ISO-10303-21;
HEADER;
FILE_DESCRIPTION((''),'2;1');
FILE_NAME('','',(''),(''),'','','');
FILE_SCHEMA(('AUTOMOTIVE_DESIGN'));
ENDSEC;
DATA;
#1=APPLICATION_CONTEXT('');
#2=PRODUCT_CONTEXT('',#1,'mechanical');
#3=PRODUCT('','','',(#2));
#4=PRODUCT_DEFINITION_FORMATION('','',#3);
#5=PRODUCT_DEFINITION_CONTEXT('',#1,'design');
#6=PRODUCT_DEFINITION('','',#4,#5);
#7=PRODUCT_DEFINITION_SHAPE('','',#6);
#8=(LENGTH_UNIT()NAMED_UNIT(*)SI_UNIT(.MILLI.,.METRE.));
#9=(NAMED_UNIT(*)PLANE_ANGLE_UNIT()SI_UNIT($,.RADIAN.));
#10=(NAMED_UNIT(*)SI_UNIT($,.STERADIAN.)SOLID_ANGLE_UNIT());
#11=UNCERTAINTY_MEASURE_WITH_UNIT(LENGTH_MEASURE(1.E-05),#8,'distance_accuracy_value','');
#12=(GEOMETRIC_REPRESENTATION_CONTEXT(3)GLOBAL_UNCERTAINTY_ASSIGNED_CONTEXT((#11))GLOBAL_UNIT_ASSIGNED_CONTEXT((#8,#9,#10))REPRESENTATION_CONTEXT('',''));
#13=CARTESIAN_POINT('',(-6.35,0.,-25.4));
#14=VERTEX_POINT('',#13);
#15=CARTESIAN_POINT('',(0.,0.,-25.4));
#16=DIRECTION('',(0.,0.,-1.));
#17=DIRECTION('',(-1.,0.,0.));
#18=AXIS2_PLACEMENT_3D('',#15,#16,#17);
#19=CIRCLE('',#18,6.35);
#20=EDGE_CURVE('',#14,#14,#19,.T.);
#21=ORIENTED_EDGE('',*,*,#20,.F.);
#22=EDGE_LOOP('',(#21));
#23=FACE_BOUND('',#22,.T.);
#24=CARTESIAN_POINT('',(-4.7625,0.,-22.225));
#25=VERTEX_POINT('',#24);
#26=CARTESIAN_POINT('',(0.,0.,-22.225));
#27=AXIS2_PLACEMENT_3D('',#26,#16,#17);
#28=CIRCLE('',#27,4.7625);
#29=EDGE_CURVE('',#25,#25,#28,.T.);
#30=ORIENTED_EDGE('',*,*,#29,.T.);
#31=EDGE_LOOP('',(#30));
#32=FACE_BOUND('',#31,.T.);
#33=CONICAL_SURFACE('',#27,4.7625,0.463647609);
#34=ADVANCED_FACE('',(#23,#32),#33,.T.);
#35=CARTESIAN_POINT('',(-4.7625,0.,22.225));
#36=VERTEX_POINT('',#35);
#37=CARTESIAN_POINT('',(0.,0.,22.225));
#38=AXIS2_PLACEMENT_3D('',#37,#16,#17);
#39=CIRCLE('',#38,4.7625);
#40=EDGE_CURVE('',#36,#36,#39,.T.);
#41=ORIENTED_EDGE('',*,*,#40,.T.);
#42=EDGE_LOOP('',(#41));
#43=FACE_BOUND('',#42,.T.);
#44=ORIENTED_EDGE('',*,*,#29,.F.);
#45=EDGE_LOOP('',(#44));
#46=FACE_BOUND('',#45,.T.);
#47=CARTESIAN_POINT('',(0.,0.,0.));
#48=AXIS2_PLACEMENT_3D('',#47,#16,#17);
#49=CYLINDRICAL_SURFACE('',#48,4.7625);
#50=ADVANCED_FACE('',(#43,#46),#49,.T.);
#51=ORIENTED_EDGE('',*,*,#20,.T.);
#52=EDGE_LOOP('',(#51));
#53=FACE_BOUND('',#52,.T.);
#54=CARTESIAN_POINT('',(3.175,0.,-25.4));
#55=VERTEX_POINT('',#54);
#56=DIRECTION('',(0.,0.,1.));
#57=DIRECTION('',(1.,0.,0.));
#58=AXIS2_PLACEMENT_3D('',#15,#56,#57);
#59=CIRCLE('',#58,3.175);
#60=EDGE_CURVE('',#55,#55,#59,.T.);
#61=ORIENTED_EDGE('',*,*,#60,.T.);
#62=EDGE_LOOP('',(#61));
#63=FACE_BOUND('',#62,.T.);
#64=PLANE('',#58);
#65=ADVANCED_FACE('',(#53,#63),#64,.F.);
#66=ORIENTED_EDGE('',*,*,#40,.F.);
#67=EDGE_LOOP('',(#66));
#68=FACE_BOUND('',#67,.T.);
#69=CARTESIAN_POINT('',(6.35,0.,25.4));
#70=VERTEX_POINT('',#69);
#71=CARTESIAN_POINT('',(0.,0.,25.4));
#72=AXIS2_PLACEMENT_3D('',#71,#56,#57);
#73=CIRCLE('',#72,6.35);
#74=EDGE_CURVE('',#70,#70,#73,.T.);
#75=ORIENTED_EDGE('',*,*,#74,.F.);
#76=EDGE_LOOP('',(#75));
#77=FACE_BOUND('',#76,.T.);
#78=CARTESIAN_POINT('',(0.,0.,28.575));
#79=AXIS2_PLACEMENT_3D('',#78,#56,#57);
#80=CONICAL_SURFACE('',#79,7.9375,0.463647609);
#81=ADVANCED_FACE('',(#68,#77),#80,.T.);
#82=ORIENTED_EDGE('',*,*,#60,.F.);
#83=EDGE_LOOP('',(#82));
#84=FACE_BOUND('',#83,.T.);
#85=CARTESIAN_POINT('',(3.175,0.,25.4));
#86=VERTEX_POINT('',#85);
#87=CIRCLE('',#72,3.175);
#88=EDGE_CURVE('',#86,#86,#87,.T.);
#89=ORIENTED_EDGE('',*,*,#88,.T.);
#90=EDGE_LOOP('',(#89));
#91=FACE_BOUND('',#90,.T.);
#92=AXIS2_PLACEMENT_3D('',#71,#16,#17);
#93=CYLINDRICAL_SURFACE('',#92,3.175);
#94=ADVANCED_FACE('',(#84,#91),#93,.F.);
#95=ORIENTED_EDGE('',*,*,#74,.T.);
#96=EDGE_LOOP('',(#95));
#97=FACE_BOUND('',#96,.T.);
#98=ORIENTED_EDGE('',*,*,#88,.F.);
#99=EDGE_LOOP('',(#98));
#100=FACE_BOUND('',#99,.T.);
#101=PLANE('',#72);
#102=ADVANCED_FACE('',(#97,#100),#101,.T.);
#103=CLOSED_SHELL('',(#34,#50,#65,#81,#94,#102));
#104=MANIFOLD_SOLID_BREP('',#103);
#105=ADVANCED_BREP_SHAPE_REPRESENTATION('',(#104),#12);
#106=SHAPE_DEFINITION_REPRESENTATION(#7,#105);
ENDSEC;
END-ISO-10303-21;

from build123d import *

# Parameters (mm, degrees)
SKETCH1_R           = 6.35
SKETCH1_R_2         = 3.175
BOSS_EXTRUDE1_DEPTH = 25.4


with BuildPart() as part:
    # Sketch1 → Boss-Extrude1 (new, symmetric)
    with BuildSketch(Plane.XY):
        Circle(SKETCH1_R)
        Circle(SKETCH1_R_2, mode=Mode.SUBTRACT)
    extrude(amount=BOSS_EXTRUDE1_DEPTH, both=True)

    # Sketch2 → Cut-Revolve2 (revolve, cut)
    with BuildSketch(Plane(origin=(0, 0, 0), x_dir=(0, 0, -1), z_dir=(1, 0, 0)), mode=Mode.PRIVATE) as cut_revolve2_sk:
        Polygon((-28.575, 11.1125), (-28.575, 7.9375), (-22.225, 4.7625), (22.225, 4.7625), (28.575, 7.9375), (28.575, 11.1125), align=None)
    revolve(cut_revolve2_sk.sketch.rotate(Axis((0, 0, 0), (0, 0, 1)), 90), axis=Axis((0, 0, 0), (0, 0, 1)), mode=Mode.SUBTRACT)


solid = part.part
